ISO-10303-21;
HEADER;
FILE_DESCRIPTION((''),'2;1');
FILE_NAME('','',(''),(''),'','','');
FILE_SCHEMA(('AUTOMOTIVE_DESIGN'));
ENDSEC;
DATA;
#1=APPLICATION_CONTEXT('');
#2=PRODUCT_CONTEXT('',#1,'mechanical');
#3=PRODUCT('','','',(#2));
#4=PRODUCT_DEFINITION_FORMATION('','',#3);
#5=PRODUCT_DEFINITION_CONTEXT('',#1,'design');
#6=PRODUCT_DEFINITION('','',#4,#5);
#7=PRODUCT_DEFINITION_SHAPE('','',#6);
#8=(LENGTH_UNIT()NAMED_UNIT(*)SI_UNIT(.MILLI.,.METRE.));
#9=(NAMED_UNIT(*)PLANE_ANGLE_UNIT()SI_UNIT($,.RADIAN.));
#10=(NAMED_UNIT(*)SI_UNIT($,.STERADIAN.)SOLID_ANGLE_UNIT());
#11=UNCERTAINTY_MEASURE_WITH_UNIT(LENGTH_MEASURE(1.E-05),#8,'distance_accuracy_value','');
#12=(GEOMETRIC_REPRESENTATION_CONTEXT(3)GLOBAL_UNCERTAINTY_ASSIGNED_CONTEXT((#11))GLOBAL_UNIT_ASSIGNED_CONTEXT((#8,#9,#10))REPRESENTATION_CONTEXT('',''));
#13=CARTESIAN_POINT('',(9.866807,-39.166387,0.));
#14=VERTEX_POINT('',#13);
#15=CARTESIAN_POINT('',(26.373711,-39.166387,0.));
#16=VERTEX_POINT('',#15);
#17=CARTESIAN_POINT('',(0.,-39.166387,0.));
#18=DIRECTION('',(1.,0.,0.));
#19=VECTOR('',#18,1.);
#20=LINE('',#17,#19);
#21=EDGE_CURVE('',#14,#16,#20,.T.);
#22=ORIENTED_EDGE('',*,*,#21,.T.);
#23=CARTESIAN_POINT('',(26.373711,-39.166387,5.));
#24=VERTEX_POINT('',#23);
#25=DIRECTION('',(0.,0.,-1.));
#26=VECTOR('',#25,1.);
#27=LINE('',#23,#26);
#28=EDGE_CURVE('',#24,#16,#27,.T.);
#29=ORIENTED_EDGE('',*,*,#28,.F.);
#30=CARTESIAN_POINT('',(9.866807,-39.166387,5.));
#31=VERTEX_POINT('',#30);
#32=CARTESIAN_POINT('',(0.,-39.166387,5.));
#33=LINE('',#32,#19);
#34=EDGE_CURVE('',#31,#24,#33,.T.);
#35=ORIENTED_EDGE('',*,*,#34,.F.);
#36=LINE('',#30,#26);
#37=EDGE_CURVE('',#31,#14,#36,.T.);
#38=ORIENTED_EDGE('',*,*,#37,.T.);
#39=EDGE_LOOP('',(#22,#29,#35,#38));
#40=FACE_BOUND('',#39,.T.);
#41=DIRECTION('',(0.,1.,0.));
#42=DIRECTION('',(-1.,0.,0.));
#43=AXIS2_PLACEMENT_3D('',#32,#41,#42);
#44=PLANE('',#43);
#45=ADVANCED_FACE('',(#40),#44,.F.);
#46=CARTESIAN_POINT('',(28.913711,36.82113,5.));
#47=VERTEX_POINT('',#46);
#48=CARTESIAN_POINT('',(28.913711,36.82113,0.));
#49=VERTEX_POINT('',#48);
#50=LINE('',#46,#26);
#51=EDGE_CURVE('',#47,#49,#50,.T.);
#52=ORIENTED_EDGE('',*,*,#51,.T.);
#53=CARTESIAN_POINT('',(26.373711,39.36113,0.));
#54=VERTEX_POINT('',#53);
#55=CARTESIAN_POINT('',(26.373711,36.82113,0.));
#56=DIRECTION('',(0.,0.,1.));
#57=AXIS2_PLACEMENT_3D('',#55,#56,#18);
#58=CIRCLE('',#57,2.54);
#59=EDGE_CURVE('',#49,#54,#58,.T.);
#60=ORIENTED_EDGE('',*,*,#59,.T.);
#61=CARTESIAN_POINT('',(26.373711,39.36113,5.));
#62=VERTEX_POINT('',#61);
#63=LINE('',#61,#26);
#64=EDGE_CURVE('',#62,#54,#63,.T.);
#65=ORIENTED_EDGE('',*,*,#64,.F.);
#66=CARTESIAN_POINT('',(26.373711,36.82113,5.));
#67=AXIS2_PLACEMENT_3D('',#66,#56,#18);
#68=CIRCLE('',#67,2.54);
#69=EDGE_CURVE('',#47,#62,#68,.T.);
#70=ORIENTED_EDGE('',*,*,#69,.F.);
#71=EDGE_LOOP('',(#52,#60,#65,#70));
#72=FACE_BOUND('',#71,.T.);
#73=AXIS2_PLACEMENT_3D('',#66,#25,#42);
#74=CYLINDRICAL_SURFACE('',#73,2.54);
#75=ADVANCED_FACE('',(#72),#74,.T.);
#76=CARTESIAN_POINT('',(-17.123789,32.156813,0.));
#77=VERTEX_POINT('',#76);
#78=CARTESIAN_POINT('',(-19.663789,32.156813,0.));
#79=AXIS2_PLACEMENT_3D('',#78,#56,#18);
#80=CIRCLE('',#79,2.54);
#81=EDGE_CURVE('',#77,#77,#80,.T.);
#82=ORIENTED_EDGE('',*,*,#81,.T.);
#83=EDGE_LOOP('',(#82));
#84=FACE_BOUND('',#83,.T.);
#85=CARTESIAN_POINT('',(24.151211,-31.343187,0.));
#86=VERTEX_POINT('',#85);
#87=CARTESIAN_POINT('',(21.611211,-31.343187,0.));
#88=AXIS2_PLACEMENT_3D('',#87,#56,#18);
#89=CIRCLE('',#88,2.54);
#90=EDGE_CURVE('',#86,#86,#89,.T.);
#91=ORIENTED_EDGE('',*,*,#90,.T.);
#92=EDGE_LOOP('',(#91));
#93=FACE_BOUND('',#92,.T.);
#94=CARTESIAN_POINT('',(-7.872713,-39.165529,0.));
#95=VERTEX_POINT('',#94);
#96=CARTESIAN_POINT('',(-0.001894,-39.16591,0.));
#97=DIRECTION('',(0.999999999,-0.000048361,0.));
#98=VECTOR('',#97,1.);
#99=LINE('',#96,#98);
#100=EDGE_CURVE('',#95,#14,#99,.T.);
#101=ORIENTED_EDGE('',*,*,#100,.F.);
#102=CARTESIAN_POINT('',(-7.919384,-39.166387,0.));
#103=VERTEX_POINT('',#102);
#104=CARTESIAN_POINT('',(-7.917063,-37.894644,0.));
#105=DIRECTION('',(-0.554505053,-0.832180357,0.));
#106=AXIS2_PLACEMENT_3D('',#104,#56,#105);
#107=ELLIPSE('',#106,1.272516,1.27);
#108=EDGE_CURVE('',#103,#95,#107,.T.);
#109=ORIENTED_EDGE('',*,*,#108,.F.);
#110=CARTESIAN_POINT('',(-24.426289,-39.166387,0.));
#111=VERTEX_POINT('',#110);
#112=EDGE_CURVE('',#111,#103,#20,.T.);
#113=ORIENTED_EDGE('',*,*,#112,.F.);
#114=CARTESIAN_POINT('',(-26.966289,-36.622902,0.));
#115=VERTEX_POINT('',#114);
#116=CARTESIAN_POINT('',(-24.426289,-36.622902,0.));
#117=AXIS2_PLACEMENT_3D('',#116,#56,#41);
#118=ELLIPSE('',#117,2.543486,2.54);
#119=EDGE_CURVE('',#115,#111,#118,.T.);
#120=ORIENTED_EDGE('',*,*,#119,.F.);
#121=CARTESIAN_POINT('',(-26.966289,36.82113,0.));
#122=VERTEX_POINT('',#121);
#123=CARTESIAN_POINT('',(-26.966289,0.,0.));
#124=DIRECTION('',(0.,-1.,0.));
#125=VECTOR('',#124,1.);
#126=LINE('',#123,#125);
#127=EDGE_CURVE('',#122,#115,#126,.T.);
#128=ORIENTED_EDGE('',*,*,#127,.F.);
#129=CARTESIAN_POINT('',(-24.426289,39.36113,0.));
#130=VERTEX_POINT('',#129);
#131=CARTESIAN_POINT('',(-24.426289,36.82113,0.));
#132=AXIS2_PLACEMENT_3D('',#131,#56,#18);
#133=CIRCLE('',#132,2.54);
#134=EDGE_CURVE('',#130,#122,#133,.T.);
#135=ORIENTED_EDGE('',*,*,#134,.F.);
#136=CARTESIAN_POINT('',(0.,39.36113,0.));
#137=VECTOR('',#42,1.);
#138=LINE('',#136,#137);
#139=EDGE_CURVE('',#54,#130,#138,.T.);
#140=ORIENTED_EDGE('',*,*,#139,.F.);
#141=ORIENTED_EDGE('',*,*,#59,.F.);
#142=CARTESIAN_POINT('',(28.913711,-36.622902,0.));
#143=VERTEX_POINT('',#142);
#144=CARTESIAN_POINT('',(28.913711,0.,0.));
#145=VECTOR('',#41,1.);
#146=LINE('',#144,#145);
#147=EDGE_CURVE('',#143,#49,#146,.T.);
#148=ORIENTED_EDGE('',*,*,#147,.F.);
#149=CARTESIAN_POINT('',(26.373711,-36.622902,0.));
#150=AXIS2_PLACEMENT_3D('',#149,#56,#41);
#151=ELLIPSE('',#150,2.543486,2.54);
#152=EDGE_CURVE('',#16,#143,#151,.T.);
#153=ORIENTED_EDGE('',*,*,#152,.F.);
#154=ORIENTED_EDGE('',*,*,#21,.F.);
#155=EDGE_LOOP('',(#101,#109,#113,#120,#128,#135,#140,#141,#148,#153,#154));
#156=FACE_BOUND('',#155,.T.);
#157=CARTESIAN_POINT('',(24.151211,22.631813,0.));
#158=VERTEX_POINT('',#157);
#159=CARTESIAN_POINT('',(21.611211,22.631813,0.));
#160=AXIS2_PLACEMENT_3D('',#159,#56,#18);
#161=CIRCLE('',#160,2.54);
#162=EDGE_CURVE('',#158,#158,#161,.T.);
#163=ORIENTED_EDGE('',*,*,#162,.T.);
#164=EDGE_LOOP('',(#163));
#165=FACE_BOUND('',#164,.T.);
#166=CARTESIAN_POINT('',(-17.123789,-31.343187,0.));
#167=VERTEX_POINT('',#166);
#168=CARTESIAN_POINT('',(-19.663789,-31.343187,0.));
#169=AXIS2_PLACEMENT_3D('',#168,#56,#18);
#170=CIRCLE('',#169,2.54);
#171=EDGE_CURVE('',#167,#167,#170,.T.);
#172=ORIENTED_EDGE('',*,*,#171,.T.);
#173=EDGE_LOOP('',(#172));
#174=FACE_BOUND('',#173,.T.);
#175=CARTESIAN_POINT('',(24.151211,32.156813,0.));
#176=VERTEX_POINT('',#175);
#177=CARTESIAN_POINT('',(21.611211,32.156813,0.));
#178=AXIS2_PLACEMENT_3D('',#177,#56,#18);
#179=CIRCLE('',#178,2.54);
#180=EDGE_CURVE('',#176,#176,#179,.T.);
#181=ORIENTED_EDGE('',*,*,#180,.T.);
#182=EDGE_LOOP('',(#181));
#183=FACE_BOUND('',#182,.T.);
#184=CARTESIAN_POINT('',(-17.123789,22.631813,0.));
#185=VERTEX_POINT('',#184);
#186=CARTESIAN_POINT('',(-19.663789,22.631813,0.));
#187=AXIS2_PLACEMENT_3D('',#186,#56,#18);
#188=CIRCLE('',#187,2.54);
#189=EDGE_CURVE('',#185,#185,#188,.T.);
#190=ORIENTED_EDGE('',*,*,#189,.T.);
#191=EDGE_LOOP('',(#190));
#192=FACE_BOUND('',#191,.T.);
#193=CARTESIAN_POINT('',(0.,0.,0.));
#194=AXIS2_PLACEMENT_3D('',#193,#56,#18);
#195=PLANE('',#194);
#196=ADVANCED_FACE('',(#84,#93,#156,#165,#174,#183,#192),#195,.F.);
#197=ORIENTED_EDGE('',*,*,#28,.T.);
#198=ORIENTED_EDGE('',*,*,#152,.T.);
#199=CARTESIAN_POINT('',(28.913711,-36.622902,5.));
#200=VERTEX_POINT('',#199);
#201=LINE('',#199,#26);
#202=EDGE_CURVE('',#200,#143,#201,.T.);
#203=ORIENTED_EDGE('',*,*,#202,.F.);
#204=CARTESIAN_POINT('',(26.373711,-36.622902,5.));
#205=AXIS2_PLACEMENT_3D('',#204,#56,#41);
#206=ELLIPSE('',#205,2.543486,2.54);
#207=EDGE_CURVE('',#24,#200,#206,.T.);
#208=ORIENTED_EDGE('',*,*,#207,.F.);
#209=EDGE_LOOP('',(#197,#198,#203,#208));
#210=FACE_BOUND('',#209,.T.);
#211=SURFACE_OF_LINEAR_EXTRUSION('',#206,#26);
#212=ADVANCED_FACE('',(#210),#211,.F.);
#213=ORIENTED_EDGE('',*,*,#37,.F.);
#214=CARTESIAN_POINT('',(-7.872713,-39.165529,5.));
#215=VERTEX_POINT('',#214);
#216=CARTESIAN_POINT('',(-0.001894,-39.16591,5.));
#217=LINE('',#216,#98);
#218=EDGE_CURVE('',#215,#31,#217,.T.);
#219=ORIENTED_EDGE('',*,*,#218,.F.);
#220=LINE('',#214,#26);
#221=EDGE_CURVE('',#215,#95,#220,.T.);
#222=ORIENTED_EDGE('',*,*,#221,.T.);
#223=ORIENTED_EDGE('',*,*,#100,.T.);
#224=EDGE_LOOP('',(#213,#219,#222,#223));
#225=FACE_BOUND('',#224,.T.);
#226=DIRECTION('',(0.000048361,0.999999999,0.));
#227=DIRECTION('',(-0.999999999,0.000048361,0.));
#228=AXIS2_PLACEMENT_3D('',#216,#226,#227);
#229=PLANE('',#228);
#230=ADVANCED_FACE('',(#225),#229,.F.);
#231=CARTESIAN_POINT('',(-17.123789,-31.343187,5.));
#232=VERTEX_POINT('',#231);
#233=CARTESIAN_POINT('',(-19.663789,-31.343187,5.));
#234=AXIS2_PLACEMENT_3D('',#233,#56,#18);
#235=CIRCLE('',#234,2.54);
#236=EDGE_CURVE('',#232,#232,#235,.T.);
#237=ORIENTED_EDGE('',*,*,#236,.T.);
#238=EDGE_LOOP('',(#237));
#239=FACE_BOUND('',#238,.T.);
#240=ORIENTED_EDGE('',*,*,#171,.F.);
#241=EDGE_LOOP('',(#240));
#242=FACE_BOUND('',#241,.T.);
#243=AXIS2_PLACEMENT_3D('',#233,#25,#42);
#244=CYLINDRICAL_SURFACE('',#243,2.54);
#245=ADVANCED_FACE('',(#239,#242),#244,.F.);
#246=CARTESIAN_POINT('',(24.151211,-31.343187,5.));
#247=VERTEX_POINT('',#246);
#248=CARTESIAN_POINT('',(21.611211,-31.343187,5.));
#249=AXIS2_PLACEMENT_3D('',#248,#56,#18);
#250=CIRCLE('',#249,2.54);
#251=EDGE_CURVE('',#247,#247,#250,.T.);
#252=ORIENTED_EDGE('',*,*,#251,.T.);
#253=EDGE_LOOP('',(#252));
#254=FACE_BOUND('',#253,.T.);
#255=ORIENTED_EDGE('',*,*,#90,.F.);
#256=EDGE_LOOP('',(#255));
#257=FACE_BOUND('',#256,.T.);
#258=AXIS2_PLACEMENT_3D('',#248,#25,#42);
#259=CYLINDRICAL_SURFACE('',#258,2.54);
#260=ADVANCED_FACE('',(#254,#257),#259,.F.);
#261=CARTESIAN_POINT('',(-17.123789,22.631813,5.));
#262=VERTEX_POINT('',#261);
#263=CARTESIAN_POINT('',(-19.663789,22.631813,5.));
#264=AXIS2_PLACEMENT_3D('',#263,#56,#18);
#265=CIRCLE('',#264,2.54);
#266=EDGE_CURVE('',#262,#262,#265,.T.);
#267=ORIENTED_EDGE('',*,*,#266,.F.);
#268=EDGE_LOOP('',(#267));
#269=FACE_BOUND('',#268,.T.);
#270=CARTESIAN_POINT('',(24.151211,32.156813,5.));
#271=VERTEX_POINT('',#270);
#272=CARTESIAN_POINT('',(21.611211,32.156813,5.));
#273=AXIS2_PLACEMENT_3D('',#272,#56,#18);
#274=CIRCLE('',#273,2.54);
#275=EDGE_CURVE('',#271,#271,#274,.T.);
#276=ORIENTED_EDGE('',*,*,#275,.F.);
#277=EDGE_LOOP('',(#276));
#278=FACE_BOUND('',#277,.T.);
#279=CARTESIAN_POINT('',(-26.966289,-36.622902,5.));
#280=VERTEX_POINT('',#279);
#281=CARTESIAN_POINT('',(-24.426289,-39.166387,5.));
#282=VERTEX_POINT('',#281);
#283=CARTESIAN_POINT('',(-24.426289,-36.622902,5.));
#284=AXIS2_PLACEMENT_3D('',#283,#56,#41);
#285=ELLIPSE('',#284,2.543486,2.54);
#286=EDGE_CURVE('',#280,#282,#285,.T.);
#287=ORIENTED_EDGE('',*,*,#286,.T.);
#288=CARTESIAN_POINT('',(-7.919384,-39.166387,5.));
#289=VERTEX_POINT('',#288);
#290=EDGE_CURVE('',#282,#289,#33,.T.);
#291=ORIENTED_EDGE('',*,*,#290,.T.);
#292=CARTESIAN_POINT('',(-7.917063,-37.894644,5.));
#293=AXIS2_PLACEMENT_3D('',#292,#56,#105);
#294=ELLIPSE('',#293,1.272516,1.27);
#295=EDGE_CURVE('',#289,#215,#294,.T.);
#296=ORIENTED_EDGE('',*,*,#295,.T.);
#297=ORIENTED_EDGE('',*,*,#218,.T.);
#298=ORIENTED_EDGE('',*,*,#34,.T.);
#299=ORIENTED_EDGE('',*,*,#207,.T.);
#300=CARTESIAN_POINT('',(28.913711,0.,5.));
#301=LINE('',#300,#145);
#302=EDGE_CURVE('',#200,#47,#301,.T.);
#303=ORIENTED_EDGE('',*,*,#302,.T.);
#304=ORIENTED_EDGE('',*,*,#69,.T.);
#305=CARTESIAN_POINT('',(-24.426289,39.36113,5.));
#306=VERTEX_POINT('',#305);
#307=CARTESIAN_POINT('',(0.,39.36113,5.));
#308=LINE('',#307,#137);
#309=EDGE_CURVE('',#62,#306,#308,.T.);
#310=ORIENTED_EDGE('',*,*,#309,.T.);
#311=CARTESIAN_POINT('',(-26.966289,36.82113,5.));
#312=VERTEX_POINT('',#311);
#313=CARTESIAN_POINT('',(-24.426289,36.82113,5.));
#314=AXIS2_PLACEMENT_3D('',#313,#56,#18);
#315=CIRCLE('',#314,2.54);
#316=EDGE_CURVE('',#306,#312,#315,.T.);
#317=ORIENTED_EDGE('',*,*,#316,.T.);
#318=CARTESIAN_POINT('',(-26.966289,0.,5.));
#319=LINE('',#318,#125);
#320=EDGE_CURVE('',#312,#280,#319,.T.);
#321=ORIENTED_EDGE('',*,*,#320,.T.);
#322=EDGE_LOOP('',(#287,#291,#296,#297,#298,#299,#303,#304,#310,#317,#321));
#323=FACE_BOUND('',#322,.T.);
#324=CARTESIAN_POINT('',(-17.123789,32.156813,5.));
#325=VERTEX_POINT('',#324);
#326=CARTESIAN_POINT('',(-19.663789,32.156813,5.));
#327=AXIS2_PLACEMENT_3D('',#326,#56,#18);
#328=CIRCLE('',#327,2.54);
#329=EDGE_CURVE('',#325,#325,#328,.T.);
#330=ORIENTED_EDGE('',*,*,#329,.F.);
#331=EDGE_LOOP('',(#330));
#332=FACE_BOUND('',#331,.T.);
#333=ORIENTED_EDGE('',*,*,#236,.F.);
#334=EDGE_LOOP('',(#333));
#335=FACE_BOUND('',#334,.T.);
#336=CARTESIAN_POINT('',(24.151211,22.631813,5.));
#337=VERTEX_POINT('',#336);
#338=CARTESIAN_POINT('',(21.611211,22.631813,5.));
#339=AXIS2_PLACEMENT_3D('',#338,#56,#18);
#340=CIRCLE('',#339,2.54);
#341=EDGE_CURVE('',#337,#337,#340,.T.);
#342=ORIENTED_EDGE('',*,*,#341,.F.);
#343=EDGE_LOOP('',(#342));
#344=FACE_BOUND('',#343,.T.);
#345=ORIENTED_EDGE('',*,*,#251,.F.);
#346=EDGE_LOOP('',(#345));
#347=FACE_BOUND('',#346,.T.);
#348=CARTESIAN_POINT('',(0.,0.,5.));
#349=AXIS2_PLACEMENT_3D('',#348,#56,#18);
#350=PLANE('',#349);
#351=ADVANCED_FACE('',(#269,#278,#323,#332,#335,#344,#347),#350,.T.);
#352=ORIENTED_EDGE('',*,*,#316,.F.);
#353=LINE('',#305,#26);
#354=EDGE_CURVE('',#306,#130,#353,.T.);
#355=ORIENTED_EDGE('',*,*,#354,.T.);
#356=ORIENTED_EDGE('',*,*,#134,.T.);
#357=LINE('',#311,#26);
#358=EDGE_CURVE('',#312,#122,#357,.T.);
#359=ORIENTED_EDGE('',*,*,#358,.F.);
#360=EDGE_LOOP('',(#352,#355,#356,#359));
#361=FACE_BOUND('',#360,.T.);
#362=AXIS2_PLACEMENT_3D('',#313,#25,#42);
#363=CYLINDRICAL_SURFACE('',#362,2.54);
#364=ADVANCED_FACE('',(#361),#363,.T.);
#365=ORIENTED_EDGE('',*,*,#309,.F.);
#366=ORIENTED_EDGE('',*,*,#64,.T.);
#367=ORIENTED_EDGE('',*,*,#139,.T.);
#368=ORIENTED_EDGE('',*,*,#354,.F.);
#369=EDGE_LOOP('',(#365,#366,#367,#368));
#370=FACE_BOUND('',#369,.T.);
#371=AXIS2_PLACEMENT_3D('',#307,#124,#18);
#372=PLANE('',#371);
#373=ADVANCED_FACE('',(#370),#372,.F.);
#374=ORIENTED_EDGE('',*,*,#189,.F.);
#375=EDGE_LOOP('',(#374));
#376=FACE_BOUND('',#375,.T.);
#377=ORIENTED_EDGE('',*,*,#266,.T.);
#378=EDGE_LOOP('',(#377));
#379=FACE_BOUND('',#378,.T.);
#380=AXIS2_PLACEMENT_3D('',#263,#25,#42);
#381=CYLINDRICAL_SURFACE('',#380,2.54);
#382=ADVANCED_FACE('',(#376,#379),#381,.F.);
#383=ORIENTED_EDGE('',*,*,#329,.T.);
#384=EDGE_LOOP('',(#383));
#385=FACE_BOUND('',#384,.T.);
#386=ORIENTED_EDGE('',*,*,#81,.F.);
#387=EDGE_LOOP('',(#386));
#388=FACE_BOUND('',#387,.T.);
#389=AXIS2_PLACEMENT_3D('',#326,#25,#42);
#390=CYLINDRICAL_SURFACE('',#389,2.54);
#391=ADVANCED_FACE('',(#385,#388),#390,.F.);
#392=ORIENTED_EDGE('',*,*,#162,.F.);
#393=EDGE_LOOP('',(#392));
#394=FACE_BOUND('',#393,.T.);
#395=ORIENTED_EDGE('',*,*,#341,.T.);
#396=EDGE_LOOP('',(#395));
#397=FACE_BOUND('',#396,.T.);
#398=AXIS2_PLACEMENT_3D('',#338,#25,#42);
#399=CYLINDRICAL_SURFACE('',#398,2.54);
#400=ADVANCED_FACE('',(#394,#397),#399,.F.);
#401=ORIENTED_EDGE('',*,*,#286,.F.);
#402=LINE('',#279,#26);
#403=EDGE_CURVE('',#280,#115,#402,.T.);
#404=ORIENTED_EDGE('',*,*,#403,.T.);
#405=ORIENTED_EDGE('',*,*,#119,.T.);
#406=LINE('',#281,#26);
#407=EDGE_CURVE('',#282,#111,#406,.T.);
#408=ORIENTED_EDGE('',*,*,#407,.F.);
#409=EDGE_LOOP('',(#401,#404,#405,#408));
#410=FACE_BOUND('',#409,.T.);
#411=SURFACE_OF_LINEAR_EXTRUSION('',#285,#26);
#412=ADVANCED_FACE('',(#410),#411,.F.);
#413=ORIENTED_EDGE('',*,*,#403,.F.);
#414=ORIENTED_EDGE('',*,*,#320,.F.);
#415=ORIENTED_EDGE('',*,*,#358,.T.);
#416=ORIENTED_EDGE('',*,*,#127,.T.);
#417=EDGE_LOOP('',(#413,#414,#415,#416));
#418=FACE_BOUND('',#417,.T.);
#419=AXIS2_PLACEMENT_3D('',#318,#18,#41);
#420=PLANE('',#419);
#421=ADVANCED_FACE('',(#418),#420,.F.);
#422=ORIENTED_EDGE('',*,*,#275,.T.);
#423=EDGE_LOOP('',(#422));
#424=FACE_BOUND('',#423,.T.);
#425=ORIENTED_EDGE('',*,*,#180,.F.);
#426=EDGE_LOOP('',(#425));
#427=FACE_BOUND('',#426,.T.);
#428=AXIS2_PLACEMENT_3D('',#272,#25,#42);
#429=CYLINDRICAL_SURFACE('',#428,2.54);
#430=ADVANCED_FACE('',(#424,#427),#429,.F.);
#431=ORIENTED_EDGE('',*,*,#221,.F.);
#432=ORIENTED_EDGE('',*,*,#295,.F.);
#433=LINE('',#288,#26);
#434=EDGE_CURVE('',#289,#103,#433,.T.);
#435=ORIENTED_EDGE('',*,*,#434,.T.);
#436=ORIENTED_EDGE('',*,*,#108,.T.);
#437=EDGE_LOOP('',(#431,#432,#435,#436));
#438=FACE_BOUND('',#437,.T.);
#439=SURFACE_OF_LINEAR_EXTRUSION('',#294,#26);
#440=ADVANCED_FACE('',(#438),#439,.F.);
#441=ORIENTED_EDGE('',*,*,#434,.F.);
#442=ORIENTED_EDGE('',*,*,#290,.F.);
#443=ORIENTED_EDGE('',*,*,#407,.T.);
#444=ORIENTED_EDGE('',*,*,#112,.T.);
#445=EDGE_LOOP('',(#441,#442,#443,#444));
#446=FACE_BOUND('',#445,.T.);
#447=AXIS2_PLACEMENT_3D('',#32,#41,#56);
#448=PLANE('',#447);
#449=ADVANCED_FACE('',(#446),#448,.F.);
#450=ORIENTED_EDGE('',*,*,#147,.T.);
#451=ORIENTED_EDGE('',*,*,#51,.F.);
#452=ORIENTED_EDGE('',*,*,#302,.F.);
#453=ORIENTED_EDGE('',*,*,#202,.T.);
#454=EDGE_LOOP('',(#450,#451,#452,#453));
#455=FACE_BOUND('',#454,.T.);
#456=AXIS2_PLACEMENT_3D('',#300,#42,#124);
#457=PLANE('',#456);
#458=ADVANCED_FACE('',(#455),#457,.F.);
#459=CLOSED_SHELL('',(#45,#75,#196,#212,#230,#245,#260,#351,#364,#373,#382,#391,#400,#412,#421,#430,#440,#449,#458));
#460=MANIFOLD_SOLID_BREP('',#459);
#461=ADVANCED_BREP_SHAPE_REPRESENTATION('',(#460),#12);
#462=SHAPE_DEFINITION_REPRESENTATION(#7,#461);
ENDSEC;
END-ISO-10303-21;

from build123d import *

# Parameters (mm, degrees)
SKIZZE1_R                       = 2.54
AUFSATZ_LINEAR_AUSTRAGEN1_DEPTH = 5


with BuildPart() as part:
    # Skizze1 → Aufsatz-Linear austragen1 (new body)
    with BuildSketch(Plane.XY):
        with BuildLine():
            Line((9.866806535, -39.166387358), (26.373711346, -39.166387358))
            add(Edge.make_bspline(
                [(26.373711346, -39.166387358), (28.913711346, -39.166387358), (28.913711346, -36.622901599)],
                knots=[3.141592654, 3.141592654, 3.141592654, 4.71238898, 4.71238898, 4.71238898], degree=2, weights=[1, 0.707106781, 1]))
            Line((28.913711346, -36.622901599), (28.913711346, 36.821129628))
            ThreePointArc((28.913711346, 36.821129628), (28.169762571, 38.617180852), (26.373711346, 39.361129628))
            Line((26.373711346, 39.361129628), (-24.426288654, 39.361129628))
            ThreePointArc((-24.426288654, 39.361129628), (-26.222339878, 38.617180852), (-26.966288654, 36.821129628))
            Line((-26.966288654, 36.821129628), (-26.966288654, -36.622901599))
            add(Edge.make_bspline(
                [(-26.966288654, -36.622901599), (-26.966288654, -39.166387358), (-24.426288654, -39.166387358)],
                knots=[1.570796327, 1.570796327, 1.570796327, 3.141592654, 3.141592654, 3.141592654], degree=2, weights=[1, 0.707106781, 1]))
            Line((-24.426288654, -39.166387358), (-7.919383842, -39.166387358))
            add(Edge.make_bspline(
                [(-7.919383842, -39.166387358), (-7.896041529, -39.166387358), (-7.872713398, -39.165529461)],
                knots=[0.586855187, 0.586855187, 0.586855187, 0.623588271, 0.623588271, 0.623588271], degree=2, weights=[1, 0.99983134, 1]))
            Line((-7.872713398, -39.165529461), (9.866806535, -39.166387358))
        make_face()
        with Locations((-19.663788654, -31.343187358)):
            Circle(SKIZZE1_R, mode=Mode.SUBTRACT)
        with Locations((21.611211346, -31.343187358)):
            Circle(SKIZZE1_R, mode=Mode.SUBTRACT)
        with Locations((21.611211346, 32.156812642)):
            Circle(SKIZZE1_R, mode=Mode.SUBTRACT)
        with Locations((21.611211346, 22.631812642)):
            Circle(SKIZZE1_R, mode=Mode.SUBTRACT)
        with Locations((-19.663788654, 22.631812642)):
            Circle(SKIZZE1_R, mode=Mode.SUBTRACT)
        with Locations((-19.663788654, 32.156812642)):
            Circle(SKIZZE1_R, mode=Mode.SUBTRACT)
    extrude(amount=AUFSATZ_LINEAR_AUSTRAGEN1_DEPTH)


solid = part.part
